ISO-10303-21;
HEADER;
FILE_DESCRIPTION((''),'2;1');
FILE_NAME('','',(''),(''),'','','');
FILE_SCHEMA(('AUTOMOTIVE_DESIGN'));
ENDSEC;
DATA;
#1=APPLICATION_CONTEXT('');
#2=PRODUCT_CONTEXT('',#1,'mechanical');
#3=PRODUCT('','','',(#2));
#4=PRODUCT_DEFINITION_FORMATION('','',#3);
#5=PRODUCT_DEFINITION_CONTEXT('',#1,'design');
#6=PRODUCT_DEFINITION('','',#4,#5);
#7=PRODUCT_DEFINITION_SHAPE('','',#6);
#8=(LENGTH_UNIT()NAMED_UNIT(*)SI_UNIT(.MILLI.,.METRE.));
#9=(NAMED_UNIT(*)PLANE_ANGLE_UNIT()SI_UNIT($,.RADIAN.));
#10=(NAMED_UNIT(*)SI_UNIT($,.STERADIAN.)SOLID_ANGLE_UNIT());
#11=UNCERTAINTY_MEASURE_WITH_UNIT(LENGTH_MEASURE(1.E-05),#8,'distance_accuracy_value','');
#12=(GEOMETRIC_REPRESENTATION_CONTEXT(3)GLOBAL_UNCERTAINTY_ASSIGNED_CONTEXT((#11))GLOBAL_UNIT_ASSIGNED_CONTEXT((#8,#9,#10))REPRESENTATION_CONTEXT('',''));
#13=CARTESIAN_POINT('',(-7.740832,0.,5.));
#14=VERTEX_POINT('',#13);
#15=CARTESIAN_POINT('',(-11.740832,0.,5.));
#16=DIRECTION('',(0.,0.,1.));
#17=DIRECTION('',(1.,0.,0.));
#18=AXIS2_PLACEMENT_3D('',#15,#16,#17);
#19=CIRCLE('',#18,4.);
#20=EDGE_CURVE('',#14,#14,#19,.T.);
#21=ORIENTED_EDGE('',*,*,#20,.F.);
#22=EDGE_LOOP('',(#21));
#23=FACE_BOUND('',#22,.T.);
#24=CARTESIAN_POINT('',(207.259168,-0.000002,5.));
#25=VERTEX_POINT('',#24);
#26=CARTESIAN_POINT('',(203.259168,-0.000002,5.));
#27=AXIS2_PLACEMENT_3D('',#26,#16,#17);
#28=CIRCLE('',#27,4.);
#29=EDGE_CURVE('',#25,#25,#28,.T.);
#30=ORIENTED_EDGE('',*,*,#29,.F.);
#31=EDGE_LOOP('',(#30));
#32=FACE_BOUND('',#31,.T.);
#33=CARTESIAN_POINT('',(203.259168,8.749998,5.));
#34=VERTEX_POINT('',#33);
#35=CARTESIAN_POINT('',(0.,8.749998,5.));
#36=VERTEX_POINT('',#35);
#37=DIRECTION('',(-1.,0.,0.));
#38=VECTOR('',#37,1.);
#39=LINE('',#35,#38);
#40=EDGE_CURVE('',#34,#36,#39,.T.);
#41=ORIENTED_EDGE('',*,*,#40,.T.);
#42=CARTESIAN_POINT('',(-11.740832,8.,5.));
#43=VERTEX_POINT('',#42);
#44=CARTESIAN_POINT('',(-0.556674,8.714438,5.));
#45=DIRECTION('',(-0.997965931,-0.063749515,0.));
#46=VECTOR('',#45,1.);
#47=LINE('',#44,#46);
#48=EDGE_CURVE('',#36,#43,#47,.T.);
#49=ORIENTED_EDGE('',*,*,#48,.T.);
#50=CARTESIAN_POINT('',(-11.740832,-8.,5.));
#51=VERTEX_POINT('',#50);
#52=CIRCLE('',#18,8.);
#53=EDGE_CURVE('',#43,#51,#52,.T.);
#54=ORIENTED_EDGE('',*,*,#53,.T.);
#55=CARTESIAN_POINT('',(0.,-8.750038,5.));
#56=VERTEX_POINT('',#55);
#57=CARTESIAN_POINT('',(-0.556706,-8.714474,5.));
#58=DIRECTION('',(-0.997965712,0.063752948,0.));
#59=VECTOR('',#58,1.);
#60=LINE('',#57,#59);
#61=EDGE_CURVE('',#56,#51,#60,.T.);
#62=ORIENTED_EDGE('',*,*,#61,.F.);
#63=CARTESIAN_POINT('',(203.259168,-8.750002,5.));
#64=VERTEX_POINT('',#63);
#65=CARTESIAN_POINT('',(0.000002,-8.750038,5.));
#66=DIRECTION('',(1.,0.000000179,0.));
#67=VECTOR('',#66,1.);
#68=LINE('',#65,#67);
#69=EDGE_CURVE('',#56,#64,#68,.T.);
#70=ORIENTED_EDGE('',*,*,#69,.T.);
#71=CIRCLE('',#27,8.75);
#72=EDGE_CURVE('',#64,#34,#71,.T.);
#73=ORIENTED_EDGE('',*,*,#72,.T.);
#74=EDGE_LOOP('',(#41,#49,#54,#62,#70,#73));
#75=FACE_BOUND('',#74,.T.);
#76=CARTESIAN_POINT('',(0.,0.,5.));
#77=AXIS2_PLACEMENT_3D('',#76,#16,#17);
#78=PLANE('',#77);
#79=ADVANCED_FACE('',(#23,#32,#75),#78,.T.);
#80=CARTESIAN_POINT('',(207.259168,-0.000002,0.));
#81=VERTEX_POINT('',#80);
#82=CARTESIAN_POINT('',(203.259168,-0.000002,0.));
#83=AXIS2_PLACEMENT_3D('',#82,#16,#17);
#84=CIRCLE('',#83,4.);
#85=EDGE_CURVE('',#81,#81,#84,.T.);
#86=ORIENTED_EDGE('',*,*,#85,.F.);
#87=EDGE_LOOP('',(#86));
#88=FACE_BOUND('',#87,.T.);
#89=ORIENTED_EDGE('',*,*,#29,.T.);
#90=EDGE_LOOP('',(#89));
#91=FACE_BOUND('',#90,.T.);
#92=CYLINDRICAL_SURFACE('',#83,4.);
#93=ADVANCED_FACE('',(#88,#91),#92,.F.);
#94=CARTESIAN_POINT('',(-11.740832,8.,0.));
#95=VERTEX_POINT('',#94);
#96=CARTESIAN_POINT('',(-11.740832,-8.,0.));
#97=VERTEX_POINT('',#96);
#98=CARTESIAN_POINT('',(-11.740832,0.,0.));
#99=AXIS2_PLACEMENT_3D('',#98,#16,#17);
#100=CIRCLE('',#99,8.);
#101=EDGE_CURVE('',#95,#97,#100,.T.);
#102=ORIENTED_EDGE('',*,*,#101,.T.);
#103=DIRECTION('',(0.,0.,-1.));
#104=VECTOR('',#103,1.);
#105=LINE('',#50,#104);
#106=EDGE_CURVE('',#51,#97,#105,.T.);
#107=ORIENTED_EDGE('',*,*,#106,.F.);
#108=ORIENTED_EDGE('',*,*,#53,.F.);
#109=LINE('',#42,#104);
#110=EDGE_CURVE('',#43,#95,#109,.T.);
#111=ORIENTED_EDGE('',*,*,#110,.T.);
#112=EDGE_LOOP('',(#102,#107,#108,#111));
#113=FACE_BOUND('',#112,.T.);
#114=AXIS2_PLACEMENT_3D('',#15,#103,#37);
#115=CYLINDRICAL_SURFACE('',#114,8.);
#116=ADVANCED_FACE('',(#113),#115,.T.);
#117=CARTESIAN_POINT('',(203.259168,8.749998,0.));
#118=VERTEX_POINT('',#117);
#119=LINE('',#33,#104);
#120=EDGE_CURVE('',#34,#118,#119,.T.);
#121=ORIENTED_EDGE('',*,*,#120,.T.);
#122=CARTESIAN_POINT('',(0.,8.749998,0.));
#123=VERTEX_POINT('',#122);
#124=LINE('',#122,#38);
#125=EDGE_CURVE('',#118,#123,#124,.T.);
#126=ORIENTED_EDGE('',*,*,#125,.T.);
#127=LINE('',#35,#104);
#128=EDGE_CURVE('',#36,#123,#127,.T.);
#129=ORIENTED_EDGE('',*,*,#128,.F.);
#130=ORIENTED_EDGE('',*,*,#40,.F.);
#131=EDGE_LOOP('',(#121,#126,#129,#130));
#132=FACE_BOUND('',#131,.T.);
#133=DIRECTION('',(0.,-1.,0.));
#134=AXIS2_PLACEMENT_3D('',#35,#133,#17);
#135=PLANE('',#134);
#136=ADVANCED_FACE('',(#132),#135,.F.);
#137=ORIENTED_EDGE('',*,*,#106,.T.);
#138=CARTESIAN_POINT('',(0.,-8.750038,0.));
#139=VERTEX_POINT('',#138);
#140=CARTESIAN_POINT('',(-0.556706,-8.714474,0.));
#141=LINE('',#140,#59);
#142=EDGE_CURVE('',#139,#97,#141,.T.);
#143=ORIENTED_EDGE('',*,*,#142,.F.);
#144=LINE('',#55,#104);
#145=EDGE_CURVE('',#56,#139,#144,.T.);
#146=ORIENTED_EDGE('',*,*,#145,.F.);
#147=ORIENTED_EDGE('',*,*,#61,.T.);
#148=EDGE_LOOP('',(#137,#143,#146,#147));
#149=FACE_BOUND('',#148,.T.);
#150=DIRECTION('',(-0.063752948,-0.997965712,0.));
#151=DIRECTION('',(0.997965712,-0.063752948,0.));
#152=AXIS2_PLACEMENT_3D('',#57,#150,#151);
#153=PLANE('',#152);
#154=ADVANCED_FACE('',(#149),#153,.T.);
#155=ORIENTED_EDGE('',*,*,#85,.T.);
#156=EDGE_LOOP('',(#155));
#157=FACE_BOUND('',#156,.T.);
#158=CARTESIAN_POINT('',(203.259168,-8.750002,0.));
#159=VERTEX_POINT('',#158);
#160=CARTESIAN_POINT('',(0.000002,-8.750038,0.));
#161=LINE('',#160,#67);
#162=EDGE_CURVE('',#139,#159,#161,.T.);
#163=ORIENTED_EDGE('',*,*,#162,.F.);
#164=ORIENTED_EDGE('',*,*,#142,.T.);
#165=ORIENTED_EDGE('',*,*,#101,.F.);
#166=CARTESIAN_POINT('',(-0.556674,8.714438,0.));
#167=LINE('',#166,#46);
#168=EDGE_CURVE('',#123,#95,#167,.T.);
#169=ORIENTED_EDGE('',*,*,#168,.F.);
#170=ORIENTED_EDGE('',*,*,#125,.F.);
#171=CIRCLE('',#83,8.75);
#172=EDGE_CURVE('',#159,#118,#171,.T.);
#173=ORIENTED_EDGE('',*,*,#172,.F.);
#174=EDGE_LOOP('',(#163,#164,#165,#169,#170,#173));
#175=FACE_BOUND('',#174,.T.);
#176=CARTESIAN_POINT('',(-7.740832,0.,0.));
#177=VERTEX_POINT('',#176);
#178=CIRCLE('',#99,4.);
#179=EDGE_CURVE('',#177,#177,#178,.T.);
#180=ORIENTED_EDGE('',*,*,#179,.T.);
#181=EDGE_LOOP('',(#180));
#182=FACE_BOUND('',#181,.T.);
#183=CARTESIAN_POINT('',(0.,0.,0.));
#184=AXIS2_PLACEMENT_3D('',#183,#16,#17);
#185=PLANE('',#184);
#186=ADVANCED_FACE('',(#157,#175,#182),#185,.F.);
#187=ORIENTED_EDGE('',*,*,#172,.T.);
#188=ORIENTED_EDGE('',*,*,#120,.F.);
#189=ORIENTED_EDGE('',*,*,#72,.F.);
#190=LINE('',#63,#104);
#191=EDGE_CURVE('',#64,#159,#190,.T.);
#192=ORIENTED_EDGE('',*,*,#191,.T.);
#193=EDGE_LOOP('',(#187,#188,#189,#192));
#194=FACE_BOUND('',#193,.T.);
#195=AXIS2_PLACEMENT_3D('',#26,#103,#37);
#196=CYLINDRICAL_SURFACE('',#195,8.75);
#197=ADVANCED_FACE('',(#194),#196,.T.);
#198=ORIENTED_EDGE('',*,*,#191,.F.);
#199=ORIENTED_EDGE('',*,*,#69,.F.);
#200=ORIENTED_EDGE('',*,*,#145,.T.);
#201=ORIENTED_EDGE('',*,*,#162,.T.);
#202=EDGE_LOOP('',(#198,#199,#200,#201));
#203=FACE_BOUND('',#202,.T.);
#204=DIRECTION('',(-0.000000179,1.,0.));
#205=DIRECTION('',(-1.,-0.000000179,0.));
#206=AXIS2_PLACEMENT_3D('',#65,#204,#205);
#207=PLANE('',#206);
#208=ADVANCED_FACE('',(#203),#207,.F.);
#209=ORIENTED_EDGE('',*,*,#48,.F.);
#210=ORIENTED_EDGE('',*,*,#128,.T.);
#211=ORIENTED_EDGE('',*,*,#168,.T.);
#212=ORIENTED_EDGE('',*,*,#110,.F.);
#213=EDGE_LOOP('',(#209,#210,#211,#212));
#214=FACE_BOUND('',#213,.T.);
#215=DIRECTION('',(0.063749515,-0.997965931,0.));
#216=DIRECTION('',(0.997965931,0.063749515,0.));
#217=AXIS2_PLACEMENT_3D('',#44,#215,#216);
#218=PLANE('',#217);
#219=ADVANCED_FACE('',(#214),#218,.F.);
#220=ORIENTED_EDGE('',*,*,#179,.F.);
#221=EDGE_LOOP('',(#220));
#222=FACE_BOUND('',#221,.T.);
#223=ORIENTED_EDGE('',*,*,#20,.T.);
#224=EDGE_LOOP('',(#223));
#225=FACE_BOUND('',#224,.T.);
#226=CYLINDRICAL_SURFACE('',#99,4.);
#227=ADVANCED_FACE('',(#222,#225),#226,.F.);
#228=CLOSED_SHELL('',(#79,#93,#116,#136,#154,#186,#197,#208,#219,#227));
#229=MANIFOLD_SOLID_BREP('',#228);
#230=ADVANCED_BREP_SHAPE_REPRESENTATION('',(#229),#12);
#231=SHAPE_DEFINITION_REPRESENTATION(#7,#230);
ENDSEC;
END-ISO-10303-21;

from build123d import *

# Parameters (mm, degrees)
SKETCH_3_R          = 8
EXTRUDE_1_DEPTH     = 5
SKETCH_4_R          = 4
CUT_EXTRUDE_1_DEPTH = 213.248558243


with BuildPart() as part:
    # 草图3 → 凸台-拉伸1 (new body)
    with BuildSketch(Plane.XY):
        with BuildLine():
            ThreePointArc((203.259167971, -8.750002099), (194.509167971, -2.099e-06), (203.259167971, 8.749997901))
            Line((203.259167971, 8.749997901), (0, 8.749997901))
            Line((0, 8.749997901), (-11.740832029, 8))
            ThreePointArc((-11.740832029, 8), (-6.08397778, 5.656854249), (-3.740832029, 0))
            ThreePointArc((-3.740832029, 0), (-6.08397778, -5.656854249), (-11.740832029, -8))
            Line((-11.740832029, -8), (0, -8.750038444))
            Line((0, -8.750038444), (203.259167971, -8.750002099))
        make_face()
        with Locations((-11.740832029, 0)):
            Circle(SKETCH_3_R)
        with BuildLine():
            ThreePointArc((212.009167971, -2.099e-06), (209.446352306, 6.187182236), (203.259167971, 8.749997901))
            Line((203.259167971, 8.749997901), (203.259167971, -8.750002099))
            ThreePointArc((203.259167971, -8.750002099), (209.446352306, -6.187186435), (212.009167971, -2.099e-06))
        make_face()
        with BuildLine():
            Line((203.259167971, -8.750002099), (203.259167971, 8.749997901))
            ThreePointArc((203.259167971, 8.749997901), (194.509167971, -2.099e-06), (203.259167971, -8.750002099))
        make_face()
    extrude(amount=EXTRUDE_1_DEPTH)

    # 草图4 → 切除-拉伸1 (cut, through all)
    with BuildSketch(Plane.XY.offset(5)):
        with Locations((-11.740832029, 0)):
            Circle(SKETCH_4_R)
        with Locations((203.259167971, -2.099e-06)):
            Circle(SKETCH_4_R)
    extrude(amount=-CUT_EXTRUDE_1_DEPTH, mode=Mode.SUBTRACT)


solid = part.part
